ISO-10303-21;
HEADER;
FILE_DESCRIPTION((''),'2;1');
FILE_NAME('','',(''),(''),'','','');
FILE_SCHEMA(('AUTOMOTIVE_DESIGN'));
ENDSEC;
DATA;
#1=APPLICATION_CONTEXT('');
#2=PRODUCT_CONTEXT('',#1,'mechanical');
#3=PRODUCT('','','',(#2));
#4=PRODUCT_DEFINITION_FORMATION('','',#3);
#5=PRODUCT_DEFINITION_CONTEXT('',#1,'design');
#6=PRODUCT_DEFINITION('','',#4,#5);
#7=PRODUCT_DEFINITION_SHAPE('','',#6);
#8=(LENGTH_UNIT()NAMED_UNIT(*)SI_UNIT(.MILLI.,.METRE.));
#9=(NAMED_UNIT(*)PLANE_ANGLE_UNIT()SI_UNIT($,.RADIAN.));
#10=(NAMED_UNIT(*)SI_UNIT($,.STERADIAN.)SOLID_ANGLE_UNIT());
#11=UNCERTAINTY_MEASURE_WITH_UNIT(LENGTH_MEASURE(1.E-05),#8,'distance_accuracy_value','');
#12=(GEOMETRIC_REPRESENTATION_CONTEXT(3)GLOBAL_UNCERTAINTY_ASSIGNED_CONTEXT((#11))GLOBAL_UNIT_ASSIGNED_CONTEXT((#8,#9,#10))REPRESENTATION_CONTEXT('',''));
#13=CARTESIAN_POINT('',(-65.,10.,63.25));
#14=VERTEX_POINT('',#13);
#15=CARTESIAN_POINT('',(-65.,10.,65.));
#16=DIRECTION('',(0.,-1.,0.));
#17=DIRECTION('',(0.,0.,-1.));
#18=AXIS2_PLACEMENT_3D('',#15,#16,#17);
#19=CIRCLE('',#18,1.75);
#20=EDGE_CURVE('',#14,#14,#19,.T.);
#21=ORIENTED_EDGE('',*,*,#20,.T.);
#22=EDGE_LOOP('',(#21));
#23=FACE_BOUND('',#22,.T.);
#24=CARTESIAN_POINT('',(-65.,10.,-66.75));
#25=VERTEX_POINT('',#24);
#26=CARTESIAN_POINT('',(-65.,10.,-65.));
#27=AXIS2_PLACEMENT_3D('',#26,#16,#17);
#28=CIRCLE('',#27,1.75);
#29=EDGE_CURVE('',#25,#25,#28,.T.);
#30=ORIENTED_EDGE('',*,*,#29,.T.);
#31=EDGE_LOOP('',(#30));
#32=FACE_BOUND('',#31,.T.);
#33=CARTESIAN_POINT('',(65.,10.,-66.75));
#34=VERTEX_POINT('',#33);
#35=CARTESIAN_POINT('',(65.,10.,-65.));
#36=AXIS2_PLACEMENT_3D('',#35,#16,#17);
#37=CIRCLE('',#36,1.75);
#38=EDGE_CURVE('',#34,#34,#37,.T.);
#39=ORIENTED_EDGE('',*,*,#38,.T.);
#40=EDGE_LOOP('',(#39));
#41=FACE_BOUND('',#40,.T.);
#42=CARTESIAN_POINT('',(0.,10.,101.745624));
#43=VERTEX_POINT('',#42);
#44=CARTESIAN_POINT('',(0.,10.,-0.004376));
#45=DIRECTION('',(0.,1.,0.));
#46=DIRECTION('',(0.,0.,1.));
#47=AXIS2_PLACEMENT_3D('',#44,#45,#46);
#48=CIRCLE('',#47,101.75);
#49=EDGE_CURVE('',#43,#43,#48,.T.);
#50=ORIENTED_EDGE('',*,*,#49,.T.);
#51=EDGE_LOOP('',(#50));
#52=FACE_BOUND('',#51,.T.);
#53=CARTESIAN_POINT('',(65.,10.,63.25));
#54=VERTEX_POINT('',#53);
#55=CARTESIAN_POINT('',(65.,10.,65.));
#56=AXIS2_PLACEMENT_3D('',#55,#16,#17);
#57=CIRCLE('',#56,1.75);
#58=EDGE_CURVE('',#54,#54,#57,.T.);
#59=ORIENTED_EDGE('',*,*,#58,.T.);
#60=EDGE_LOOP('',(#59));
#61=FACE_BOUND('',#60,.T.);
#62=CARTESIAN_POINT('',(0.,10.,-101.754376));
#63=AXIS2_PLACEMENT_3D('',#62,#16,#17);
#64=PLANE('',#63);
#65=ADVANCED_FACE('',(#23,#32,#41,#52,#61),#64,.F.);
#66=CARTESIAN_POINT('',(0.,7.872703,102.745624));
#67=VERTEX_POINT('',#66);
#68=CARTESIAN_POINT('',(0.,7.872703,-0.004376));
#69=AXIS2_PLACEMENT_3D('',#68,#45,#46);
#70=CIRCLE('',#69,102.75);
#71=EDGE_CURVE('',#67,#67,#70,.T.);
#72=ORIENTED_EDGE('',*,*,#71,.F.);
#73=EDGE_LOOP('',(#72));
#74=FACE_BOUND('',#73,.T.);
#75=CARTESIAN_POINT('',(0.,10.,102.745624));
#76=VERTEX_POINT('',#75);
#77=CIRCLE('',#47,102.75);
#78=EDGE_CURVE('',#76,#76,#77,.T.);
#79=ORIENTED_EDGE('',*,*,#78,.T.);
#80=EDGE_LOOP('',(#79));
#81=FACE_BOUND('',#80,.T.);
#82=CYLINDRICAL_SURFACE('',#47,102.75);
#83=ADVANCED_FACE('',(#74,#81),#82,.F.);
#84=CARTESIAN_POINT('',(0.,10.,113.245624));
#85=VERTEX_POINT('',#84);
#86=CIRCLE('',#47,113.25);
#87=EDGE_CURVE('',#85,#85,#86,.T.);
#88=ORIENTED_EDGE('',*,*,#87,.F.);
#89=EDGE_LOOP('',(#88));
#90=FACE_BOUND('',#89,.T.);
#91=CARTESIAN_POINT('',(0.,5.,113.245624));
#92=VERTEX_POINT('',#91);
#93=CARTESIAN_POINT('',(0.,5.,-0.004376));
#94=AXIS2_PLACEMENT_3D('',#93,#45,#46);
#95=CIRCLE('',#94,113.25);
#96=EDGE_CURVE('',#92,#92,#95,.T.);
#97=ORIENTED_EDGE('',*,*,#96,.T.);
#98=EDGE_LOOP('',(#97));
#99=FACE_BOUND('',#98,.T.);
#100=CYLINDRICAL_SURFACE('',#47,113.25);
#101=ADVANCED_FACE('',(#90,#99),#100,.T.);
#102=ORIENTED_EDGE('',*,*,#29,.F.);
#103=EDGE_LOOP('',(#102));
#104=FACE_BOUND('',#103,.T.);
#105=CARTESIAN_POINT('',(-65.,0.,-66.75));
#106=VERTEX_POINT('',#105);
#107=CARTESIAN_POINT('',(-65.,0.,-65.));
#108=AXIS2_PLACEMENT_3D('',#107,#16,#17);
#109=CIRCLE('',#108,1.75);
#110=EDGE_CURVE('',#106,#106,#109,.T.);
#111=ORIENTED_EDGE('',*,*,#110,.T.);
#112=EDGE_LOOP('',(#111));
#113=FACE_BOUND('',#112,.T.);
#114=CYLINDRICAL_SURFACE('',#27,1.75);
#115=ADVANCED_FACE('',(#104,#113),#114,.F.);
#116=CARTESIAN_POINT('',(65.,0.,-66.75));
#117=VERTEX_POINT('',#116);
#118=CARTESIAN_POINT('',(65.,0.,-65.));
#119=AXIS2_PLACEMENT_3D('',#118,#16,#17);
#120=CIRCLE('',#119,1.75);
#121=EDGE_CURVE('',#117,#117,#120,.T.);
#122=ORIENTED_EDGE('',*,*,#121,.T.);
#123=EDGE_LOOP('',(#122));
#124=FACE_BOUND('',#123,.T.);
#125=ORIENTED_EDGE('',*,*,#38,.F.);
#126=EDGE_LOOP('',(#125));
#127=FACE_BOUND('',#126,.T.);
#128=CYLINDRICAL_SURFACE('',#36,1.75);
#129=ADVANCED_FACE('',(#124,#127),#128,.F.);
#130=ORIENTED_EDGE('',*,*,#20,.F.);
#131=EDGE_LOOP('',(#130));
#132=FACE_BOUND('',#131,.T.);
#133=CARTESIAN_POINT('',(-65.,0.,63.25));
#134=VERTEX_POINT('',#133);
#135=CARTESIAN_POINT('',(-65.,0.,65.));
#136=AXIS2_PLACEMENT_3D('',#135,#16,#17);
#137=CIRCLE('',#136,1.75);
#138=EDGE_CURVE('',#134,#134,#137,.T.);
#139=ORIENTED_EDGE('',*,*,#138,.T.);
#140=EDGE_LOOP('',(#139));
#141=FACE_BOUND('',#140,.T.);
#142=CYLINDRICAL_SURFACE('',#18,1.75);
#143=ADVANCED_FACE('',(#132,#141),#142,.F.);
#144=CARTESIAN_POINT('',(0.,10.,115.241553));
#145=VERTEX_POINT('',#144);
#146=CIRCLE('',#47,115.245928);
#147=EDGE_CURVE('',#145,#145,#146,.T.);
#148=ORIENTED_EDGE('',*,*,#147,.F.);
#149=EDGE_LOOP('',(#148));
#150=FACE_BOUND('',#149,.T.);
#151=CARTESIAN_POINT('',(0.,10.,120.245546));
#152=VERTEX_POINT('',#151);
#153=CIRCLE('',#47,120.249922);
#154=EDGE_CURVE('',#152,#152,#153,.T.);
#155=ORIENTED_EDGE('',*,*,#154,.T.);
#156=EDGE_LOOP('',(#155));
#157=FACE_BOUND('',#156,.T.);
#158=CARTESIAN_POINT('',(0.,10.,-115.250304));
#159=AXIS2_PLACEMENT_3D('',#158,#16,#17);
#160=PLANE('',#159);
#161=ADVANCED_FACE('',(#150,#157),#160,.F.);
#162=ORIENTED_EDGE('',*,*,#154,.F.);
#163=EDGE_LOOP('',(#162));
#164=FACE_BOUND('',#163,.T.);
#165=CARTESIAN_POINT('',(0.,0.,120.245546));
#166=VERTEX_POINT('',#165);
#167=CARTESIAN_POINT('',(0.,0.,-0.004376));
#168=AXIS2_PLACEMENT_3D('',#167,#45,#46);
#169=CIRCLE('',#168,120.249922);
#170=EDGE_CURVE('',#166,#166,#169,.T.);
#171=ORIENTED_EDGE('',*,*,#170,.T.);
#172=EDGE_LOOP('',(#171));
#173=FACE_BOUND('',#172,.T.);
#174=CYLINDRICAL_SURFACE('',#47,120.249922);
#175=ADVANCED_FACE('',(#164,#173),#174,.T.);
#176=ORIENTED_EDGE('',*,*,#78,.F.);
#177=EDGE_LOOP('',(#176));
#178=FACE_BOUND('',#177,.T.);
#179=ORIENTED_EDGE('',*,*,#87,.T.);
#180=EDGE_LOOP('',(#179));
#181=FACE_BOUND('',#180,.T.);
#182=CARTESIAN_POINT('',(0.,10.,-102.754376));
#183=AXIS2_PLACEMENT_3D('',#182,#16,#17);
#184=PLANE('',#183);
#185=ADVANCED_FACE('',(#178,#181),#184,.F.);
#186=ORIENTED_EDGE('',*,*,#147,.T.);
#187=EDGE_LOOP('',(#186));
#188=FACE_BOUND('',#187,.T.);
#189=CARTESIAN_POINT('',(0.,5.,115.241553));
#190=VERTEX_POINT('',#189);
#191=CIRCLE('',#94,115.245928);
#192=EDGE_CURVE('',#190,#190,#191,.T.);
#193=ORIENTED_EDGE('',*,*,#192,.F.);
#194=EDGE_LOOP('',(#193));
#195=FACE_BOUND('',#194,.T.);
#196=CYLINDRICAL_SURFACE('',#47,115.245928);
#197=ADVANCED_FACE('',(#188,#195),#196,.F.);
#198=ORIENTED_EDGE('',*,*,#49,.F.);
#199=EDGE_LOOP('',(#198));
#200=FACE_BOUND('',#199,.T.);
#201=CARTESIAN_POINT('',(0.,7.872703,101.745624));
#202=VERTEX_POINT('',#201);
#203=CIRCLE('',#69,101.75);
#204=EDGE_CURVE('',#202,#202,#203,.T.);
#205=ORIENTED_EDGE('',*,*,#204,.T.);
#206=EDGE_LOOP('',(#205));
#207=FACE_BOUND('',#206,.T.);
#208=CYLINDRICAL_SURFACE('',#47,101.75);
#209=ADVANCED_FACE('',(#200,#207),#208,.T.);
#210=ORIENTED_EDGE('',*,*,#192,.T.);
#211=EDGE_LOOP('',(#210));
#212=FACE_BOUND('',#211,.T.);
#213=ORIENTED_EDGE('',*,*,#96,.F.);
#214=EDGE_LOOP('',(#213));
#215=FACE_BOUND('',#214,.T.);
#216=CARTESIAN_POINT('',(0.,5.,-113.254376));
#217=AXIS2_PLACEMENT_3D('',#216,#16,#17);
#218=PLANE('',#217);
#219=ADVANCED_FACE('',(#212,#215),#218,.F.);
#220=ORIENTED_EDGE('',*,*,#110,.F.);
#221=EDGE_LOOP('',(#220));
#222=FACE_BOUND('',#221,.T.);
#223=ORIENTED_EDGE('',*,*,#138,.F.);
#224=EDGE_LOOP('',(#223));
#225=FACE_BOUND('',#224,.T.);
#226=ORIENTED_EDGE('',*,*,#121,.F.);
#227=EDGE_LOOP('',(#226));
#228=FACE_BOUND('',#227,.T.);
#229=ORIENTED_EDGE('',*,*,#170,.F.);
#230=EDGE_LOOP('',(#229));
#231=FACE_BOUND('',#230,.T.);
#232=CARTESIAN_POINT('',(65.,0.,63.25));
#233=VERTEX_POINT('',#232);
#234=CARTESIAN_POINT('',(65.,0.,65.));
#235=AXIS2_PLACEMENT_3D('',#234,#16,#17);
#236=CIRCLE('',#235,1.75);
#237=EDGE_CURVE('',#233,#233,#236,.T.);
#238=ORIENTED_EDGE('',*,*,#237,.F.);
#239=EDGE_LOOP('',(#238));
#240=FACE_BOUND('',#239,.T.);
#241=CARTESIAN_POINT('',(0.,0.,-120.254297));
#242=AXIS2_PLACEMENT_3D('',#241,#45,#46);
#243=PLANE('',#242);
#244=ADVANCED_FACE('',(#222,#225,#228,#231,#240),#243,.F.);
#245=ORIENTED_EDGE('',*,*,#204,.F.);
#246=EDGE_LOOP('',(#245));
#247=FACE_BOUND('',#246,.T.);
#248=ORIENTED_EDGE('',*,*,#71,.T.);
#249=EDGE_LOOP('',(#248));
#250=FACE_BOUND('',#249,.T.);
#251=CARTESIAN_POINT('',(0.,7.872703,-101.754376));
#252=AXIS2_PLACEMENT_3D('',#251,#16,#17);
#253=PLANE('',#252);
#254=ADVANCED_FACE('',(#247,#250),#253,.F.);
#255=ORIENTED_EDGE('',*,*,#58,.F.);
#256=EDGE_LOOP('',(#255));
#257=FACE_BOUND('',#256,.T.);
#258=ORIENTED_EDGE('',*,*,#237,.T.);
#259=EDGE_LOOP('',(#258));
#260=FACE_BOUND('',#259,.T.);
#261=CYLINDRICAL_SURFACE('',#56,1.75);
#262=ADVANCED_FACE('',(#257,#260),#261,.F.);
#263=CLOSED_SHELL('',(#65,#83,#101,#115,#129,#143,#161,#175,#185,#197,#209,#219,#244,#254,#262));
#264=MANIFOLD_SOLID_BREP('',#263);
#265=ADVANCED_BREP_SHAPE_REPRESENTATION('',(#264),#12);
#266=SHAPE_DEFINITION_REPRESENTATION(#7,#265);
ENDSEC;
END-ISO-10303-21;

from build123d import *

# Parameters (mm, degrees)
ESQUISSE5_R             = 1.75
ENL_V_MAT_EXTRU_3_DEPTH = 10


with BuildPart() as part:
    # Esquisse1 → Révolution1 (revolve)
    with BuildSketch(Plane(origin=(0, 0, 0), x_dir=(0, 0, -1), z_dir=(1, 0, 0)), mode=Mode.PRIVATE) as r_volution1_sk:
        Polygon((101.754375518, 10), (101.754375518, 7.872703136), (102.754375518, 7.872703136), (102.754375518, 10), (113.254375518, 10), (113.254375518, 5), (115.25030387, 5), (115.25030387, 10), (120.254297163, 10), (120.254297163, 0), (0.004375518, 0), (0.004375518, 10), align=None)
    revolve(r_volution1_sk.sketch.rotate(Axis((0, 10, -0.004375518), (0, -1, 0)), 180), axis=Axis((0, 10, -0.004375518), (0, -1, 0)))

    # Esquisse5 → Enlèv. mat.-Extru.3 (cut)
    with BuildSketch(Plane.XZ):
        with Locations(Location((-65, 65, 0), (0, 0, 270))):
            Circle(ESQUISSE5_R)
        with Locations(Location((-65, -65, 0), (0, 0, 270))):
            Circle(ESQUISSE5_R)
        with Locations(Location((65, 65, 0), (0, 0, 270))):
            Circle(ESQUISSE5_R)
        with Locations(Location((65, -65, 0), (0, 0, 270))):
            Circle(ESQUISSE5_R)
    extrude(amount=-ENL_V_MAT_EXTRU_3_DEPTH, mode=Mode.SUBTRACT)


solid = part.part
